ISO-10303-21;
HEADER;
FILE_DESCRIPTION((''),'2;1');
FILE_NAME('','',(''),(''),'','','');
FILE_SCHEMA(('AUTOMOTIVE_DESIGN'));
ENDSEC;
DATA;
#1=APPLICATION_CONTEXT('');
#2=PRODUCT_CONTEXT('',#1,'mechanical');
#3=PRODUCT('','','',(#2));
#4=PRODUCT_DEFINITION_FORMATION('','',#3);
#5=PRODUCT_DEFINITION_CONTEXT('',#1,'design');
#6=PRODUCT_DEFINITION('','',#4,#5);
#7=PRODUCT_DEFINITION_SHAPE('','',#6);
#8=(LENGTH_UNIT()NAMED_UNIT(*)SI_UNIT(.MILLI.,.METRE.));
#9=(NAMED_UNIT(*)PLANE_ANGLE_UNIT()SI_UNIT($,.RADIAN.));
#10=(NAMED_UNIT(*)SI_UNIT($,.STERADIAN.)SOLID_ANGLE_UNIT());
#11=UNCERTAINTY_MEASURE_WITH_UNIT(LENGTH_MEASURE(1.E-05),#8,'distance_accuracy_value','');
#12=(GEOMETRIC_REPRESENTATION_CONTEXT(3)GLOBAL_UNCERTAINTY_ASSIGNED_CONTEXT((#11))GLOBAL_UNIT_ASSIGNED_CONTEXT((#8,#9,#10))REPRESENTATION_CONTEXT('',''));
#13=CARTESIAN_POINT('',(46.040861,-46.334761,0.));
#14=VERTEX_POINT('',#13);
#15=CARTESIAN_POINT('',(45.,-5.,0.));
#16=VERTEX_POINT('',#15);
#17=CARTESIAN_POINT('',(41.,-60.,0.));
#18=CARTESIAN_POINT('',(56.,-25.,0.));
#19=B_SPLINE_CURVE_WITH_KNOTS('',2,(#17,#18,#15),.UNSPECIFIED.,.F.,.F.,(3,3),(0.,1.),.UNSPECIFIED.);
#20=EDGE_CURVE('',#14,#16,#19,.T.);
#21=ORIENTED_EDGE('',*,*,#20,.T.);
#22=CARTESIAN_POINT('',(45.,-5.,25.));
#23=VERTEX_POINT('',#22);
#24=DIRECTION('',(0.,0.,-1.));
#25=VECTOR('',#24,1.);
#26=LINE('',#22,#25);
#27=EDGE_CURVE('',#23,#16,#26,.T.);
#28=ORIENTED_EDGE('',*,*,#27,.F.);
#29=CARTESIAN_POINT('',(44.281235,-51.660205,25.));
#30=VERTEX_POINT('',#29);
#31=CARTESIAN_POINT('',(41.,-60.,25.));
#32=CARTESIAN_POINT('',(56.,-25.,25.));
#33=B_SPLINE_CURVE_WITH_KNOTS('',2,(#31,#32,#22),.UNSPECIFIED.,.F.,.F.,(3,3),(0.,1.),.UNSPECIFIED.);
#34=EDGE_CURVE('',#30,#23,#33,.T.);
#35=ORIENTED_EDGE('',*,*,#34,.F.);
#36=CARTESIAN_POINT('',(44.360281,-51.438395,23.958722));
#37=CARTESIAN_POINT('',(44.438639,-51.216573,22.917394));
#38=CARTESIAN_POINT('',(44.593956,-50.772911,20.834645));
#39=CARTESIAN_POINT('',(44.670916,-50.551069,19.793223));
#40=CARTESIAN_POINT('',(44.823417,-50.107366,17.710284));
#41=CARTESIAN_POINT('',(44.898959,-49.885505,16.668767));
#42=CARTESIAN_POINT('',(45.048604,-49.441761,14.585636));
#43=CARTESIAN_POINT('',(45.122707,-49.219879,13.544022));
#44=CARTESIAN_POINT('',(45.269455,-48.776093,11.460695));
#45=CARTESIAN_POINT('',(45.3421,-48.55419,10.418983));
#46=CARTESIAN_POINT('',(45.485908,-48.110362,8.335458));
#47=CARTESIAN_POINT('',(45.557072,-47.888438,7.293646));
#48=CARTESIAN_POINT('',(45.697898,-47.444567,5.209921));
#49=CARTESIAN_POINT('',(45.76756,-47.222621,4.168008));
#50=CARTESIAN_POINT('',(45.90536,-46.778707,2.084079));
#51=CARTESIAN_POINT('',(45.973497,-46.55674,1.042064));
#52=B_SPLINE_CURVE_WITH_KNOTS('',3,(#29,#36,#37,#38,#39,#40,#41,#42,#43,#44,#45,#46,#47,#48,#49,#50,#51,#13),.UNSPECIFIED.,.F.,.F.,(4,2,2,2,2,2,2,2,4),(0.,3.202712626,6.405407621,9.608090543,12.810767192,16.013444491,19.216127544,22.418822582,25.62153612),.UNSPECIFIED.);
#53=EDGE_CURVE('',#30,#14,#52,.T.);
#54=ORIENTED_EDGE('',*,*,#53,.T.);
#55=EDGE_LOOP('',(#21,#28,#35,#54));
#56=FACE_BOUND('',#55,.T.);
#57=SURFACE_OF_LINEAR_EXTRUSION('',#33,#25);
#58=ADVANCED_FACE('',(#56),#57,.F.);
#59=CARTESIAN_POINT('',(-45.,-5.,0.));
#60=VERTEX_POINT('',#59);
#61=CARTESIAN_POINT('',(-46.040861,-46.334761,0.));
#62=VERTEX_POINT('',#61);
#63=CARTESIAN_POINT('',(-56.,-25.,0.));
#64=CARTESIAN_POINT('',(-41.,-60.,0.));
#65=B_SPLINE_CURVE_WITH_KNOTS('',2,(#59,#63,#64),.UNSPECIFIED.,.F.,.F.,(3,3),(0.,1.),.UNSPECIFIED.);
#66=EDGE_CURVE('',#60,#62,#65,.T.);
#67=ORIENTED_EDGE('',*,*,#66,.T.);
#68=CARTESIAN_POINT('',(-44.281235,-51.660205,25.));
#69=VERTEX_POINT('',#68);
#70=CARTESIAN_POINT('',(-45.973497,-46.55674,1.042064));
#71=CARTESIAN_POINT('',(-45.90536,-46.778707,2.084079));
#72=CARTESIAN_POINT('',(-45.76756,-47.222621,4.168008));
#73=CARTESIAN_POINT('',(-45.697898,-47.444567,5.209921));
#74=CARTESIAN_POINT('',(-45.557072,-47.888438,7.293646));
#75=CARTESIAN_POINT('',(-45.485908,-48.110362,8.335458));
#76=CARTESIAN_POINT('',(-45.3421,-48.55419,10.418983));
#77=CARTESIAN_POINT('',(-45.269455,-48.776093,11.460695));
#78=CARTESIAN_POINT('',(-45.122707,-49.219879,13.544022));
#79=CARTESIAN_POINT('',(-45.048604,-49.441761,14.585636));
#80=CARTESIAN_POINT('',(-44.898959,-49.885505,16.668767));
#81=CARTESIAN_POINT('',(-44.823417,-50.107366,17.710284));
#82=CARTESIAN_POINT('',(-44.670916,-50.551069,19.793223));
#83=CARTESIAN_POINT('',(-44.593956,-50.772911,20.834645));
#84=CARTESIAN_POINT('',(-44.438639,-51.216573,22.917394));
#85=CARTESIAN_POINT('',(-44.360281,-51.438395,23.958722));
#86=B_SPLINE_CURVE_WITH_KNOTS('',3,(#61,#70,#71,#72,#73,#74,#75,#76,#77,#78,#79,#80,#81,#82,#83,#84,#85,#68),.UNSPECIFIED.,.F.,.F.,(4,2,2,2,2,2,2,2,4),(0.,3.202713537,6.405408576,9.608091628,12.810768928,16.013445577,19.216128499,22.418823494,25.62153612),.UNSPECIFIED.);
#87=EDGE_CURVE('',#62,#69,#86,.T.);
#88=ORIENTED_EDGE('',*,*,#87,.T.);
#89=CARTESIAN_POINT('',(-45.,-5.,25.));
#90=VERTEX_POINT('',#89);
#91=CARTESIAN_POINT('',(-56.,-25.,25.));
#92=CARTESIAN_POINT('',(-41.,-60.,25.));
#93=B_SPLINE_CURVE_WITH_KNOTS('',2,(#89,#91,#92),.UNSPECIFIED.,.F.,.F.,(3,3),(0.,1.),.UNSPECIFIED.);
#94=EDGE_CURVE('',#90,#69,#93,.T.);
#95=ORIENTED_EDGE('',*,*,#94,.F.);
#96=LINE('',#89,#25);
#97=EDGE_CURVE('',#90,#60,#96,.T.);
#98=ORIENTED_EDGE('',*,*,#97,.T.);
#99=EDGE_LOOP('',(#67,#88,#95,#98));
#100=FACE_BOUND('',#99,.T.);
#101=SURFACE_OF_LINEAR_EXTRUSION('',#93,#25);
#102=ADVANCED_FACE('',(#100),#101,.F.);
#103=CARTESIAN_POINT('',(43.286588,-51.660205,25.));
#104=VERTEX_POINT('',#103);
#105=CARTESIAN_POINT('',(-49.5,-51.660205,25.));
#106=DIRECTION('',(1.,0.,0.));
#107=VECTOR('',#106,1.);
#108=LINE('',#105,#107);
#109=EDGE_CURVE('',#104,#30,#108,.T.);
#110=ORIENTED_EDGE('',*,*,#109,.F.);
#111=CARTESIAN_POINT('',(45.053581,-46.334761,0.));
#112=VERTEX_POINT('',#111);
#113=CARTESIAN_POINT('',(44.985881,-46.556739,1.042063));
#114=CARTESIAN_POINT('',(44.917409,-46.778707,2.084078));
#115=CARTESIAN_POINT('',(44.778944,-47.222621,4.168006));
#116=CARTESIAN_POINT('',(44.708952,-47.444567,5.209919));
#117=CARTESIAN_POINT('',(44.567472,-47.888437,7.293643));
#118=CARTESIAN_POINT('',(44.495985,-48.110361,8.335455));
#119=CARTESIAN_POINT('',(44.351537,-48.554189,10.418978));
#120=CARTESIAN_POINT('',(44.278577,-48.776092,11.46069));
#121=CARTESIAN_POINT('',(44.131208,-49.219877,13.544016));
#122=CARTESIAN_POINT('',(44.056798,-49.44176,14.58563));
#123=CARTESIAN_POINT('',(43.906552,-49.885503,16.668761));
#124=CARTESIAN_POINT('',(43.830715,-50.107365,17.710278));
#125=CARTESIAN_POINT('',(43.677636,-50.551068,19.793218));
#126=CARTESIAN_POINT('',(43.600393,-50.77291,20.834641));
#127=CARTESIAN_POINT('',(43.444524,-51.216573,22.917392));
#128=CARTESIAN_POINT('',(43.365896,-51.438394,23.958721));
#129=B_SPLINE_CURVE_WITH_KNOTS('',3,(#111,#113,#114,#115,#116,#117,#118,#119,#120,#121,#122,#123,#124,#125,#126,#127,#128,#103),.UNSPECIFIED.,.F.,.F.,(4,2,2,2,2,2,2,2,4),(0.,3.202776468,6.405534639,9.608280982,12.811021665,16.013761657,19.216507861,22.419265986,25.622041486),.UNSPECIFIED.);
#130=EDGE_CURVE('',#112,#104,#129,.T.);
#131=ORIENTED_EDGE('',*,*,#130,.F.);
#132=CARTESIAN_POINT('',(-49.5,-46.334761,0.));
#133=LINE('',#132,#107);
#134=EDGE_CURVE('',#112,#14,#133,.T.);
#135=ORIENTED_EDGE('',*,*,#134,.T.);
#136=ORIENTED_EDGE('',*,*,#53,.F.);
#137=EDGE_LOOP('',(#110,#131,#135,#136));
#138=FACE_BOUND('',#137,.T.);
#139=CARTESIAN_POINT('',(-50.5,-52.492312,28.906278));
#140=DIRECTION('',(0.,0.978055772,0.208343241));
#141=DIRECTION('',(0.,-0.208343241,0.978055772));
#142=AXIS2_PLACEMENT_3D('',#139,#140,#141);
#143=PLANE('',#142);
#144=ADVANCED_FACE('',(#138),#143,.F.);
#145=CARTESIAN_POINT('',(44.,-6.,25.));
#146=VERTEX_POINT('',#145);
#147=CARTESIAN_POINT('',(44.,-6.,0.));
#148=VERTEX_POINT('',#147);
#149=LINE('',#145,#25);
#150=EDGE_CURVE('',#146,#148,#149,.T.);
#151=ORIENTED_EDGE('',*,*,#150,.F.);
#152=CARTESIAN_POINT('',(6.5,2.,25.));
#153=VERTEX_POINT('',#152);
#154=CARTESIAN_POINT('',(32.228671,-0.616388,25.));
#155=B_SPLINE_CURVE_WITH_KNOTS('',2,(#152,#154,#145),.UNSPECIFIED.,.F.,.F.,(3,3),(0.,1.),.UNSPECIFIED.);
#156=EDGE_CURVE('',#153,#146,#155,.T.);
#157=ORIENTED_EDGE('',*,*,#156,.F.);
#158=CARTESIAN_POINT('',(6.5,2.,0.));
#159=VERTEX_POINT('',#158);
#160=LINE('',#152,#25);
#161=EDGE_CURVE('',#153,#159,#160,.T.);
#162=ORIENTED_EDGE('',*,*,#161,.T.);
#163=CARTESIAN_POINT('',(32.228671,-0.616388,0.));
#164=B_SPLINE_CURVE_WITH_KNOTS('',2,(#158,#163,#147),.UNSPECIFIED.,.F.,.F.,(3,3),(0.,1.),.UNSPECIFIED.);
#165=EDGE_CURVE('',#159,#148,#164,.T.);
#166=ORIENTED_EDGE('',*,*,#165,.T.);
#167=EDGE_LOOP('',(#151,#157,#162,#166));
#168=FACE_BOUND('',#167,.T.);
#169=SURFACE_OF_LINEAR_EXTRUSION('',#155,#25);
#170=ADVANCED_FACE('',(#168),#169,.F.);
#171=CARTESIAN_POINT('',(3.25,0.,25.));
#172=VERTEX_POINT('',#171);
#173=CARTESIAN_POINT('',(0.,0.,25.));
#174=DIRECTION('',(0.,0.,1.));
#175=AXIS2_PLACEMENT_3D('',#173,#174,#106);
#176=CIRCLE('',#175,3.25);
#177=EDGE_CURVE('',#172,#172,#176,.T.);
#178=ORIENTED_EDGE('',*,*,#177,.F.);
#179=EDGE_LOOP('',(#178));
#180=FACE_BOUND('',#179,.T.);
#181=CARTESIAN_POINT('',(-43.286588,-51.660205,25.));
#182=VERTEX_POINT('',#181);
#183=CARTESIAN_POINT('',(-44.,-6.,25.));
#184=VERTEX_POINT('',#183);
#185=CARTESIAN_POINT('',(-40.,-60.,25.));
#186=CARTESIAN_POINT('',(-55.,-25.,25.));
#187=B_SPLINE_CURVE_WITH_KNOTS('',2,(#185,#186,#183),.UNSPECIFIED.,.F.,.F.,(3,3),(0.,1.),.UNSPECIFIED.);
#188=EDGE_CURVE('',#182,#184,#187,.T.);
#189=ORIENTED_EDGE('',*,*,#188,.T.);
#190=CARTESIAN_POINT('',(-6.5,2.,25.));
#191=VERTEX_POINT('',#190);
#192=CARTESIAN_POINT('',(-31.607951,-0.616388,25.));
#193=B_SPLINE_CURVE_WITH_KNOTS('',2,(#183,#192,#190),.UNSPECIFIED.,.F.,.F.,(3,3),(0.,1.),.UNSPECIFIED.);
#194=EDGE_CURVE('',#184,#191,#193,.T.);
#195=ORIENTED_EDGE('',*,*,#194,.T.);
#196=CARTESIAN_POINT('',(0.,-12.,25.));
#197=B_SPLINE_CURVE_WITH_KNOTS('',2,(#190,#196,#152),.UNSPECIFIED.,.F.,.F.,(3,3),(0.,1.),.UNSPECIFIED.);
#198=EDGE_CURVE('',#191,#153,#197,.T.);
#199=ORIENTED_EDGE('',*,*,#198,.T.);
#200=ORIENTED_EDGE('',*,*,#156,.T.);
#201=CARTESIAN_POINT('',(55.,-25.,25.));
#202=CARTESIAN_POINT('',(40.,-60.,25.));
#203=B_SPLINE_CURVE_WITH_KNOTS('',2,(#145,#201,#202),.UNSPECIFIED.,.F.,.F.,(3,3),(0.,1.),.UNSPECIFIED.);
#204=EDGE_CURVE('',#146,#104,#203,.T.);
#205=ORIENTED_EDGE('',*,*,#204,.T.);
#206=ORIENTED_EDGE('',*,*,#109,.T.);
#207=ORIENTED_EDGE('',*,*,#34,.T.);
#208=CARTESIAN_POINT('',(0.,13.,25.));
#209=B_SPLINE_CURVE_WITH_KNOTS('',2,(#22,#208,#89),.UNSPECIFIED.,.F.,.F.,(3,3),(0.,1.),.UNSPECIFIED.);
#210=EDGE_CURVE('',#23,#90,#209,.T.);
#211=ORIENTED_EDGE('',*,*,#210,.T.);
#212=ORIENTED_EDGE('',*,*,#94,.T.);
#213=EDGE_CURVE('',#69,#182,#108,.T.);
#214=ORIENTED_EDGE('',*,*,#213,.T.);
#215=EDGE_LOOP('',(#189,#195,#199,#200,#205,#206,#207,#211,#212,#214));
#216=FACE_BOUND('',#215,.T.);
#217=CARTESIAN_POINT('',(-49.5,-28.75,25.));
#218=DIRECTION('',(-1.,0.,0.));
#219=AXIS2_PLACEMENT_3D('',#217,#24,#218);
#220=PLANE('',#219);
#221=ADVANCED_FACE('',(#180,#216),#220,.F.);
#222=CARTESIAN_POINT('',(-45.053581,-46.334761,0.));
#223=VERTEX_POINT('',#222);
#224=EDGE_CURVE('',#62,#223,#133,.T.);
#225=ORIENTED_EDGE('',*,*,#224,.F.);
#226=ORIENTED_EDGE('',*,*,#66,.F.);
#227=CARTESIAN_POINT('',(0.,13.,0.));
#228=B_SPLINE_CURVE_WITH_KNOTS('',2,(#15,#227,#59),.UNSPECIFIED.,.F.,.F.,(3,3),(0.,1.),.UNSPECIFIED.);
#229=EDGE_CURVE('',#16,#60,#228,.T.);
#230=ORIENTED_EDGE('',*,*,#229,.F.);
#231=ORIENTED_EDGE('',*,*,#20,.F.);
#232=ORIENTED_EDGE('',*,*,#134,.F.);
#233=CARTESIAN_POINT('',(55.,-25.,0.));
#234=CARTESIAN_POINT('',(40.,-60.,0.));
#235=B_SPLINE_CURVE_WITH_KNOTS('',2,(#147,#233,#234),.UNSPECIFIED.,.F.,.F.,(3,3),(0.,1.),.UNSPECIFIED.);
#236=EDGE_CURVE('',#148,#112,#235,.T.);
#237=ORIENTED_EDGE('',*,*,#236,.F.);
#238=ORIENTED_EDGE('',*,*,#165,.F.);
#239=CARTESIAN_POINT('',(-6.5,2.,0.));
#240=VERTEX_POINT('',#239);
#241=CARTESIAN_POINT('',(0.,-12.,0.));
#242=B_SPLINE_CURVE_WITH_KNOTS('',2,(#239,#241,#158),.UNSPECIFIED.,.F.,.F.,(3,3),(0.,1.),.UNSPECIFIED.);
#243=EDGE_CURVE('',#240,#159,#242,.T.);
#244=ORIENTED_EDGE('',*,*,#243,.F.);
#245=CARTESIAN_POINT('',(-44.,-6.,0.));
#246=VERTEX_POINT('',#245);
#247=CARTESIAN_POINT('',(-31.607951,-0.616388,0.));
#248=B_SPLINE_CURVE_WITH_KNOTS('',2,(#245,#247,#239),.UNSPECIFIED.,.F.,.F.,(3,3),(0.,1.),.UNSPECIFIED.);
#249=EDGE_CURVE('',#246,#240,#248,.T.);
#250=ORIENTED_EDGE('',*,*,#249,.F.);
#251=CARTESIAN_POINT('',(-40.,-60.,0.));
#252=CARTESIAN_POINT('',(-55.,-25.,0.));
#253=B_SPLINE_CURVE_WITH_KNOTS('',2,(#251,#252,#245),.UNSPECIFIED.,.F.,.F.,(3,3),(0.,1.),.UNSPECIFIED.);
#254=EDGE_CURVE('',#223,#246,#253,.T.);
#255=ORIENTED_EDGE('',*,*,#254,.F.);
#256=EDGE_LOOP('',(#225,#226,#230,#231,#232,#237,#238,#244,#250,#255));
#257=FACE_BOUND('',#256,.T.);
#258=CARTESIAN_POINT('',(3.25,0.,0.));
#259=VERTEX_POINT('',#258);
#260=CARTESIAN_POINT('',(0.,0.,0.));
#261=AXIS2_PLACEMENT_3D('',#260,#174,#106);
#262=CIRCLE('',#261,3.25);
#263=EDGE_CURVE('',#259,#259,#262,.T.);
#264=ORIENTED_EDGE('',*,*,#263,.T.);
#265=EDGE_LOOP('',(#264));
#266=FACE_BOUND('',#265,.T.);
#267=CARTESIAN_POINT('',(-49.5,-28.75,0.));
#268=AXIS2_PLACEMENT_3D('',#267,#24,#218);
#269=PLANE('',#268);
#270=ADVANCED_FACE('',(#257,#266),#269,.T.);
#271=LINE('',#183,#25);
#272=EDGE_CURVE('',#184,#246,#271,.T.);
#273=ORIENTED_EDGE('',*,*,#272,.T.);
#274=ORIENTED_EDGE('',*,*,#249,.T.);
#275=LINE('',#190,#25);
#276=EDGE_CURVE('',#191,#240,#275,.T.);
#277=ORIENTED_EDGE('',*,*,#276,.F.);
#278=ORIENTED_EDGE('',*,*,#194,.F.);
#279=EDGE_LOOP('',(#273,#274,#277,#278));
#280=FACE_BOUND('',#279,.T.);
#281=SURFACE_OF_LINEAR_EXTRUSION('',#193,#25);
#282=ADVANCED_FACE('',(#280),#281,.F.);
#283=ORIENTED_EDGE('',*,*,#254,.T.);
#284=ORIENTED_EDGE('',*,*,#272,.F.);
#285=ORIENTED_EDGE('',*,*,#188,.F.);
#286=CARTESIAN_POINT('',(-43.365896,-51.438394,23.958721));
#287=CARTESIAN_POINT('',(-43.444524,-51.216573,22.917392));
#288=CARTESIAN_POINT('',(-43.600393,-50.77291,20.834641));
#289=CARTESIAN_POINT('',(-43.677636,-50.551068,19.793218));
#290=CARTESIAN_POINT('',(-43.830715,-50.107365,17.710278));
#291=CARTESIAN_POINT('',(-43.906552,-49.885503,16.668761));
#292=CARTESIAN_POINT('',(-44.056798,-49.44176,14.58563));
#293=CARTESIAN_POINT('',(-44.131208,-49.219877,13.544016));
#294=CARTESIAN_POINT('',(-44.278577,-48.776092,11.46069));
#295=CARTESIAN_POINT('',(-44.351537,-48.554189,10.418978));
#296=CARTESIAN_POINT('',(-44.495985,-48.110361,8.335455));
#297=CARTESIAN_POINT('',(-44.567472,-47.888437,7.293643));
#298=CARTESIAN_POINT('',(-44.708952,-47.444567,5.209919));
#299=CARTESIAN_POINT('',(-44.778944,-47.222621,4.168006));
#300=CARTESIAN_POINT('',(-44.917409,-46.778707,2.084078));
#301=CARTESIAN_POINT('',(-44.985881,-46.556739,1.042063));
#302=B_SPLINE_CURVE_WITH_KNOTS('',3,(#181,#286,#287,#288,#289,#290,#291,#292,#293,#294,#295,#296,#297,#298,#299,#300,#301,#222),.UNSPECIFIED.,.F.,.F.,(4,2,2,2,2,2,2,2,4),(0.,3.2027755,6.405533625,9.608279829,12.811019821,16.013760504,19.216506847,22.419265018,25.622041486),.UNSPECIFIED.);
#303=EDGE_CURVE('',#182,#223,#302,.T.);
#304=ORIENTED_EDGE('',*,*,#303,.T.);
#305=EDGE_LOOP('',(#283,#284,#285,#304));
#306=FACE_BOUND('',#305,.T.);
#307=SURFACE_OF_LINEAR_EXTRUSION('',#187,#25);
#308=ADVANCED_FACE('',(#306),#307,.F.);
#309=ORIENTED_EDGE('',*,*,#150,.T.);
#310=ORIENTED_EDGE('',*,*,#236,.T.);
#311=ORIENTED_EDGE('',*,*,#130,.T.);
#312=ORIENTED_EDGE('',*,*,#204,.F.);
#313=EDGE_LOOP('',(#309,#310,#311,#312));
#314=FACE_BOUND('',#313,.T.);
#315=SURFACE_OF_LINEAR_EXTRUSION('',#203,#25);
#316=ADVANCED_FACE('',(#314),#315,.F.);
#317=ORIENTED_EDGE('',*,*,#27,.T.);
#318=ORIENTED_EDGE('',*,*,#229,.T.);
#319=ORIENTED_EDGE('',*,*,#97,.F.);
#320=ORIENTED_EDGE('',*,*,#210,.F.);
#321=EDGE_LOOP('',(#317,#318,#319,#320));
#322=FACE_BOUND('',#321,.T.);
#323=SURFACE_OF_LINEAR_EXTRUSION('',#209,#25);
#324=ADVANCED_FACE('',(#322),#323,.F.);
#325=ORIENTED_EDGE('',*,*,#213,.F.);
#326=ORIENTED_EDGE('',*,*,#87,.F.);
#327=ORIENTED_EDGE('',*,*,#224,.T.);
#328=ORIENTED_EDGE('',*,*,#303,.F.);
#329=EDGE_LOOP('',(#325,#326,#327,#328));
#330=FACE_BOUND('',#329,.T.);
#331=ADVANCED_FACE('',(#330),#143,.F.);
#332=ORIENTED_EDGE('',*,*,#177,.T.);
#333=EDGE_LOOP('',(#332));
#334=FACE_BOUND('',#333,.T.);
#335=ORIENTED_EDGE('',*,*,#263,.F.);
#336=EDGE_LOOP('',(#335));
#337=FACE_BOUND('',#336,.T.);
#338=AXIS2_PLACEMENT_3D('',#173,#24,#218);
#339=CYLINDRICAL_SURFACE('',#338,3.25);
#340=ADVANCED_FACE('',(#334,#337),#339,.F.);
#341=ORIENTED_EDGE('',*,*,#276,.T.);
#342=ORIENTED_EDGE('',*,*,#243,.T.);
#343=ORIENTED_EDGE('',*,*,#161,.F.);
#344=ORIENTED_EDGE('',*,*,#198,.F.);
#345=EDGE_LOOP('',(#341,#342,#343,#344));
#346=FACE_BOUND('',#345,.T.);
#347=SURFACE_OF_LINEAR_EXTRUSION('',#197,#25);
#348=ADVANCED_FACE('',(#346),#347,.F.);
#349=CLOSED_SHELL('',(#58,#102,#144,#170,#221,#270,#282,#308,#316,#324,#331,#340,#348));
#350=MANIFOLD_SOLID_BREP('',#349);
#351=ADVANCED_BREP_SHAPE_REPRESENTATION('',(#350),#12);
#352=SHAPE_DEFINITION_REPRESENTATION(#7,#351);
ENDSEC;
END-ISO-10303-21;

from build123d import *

# Parameters (mm, degrees)
SKETCH_1_R               = 3.25
EXTRUDE_1_DEPTH          = 25
CUT_EXTRUDE_1_DEPTH      = 82.79550394
CUT_EXTRUDE_1_DEPTH_BACK = 82.79550394


with BuildPart() as part:
    # 草圖1 → 填料-伸長1 (new body)
    with BuildSketch(Plane.XY):
        with BuildLine():
            Line((-41, -60), (-40, -60))
            add(Edge.make_bspline(
                [(-44, -6), (-55, -25), (-40, -60)],
                knots=[0, 0, 0, 1, 1, 1], degree=2))
            add(Edge.make_bspline(
                [(-6.5, 2), (-31.607950909, -0.616387712), (-44, -6)],
                knots=[0, 0, 0, 1, 1, 1], degree=2))
            add(Edge.make_bspline(
                [(-6.5, 2), (0, -12), (6.5, 2)],
                knots=[0, 0, 0, 1, 1, 1], degree=2))
            add(Edge.make_bspline(
                [(6.5, 2), (32.228671013, -0.616387712), (44, -6)],
                knots=[0, 0, 0, 1, 1, 1], degree=2))
            add(Edge.make_bspline(
                [(44, -6), (55, -25), (40, -60)],
                knots=[0, 0, 0, 1, 1, 1], degree=2))
            Line((40, -60), (41, -60))
            add(Edge.make_bspline(
                [(45, -5), (56, -25), (41, -60)],
                knots=[0, 0, 0, 1, 1, 1], degree=2))
            add(Edge.make_bspline(
                [(-45, -5), (0, 13), (45, -5)],
                knots=[0, 0, 0, 1, 1, 1], degree=2))
            add(Edge.make_bspline(
                [(-45, -5), (-56, -25), (-41, -60)],
                knots=[0, 0, 0, 1, 1, 1], degree=2))
        make_face()
        Circle(SKETCH_1_R, mode=Mode.SUBTRACT)
    extrude(amount=EXTRUDE_1_DEPTH)

    # 草圖2 → 除料-伸長1 (cut, two sides: drawn at the far end of the back side and taken through both)
    with BuildSketch(Plane(origin=(0, 0, 0), x_dir=(0, 0, -1), z_dir=(1, 0, 0)).offset(-CUT_EXTRUDE_1_DEPTH_BACK)):
        Polygon((-28.906277967, -52.492311819), (4.067188518, -45.468378129), (5.936036077, -63.083878207), (-26.90117602, -70.571484262), (-30.384906988, -68.381487837), align=None)
    extrude(amount=CUT_EXTRUDE_1_DEPTH + CUT_EXTRUDE_1_DEPTH_BACK, mode=Mode.SUBTRACT)


solid = part.part
